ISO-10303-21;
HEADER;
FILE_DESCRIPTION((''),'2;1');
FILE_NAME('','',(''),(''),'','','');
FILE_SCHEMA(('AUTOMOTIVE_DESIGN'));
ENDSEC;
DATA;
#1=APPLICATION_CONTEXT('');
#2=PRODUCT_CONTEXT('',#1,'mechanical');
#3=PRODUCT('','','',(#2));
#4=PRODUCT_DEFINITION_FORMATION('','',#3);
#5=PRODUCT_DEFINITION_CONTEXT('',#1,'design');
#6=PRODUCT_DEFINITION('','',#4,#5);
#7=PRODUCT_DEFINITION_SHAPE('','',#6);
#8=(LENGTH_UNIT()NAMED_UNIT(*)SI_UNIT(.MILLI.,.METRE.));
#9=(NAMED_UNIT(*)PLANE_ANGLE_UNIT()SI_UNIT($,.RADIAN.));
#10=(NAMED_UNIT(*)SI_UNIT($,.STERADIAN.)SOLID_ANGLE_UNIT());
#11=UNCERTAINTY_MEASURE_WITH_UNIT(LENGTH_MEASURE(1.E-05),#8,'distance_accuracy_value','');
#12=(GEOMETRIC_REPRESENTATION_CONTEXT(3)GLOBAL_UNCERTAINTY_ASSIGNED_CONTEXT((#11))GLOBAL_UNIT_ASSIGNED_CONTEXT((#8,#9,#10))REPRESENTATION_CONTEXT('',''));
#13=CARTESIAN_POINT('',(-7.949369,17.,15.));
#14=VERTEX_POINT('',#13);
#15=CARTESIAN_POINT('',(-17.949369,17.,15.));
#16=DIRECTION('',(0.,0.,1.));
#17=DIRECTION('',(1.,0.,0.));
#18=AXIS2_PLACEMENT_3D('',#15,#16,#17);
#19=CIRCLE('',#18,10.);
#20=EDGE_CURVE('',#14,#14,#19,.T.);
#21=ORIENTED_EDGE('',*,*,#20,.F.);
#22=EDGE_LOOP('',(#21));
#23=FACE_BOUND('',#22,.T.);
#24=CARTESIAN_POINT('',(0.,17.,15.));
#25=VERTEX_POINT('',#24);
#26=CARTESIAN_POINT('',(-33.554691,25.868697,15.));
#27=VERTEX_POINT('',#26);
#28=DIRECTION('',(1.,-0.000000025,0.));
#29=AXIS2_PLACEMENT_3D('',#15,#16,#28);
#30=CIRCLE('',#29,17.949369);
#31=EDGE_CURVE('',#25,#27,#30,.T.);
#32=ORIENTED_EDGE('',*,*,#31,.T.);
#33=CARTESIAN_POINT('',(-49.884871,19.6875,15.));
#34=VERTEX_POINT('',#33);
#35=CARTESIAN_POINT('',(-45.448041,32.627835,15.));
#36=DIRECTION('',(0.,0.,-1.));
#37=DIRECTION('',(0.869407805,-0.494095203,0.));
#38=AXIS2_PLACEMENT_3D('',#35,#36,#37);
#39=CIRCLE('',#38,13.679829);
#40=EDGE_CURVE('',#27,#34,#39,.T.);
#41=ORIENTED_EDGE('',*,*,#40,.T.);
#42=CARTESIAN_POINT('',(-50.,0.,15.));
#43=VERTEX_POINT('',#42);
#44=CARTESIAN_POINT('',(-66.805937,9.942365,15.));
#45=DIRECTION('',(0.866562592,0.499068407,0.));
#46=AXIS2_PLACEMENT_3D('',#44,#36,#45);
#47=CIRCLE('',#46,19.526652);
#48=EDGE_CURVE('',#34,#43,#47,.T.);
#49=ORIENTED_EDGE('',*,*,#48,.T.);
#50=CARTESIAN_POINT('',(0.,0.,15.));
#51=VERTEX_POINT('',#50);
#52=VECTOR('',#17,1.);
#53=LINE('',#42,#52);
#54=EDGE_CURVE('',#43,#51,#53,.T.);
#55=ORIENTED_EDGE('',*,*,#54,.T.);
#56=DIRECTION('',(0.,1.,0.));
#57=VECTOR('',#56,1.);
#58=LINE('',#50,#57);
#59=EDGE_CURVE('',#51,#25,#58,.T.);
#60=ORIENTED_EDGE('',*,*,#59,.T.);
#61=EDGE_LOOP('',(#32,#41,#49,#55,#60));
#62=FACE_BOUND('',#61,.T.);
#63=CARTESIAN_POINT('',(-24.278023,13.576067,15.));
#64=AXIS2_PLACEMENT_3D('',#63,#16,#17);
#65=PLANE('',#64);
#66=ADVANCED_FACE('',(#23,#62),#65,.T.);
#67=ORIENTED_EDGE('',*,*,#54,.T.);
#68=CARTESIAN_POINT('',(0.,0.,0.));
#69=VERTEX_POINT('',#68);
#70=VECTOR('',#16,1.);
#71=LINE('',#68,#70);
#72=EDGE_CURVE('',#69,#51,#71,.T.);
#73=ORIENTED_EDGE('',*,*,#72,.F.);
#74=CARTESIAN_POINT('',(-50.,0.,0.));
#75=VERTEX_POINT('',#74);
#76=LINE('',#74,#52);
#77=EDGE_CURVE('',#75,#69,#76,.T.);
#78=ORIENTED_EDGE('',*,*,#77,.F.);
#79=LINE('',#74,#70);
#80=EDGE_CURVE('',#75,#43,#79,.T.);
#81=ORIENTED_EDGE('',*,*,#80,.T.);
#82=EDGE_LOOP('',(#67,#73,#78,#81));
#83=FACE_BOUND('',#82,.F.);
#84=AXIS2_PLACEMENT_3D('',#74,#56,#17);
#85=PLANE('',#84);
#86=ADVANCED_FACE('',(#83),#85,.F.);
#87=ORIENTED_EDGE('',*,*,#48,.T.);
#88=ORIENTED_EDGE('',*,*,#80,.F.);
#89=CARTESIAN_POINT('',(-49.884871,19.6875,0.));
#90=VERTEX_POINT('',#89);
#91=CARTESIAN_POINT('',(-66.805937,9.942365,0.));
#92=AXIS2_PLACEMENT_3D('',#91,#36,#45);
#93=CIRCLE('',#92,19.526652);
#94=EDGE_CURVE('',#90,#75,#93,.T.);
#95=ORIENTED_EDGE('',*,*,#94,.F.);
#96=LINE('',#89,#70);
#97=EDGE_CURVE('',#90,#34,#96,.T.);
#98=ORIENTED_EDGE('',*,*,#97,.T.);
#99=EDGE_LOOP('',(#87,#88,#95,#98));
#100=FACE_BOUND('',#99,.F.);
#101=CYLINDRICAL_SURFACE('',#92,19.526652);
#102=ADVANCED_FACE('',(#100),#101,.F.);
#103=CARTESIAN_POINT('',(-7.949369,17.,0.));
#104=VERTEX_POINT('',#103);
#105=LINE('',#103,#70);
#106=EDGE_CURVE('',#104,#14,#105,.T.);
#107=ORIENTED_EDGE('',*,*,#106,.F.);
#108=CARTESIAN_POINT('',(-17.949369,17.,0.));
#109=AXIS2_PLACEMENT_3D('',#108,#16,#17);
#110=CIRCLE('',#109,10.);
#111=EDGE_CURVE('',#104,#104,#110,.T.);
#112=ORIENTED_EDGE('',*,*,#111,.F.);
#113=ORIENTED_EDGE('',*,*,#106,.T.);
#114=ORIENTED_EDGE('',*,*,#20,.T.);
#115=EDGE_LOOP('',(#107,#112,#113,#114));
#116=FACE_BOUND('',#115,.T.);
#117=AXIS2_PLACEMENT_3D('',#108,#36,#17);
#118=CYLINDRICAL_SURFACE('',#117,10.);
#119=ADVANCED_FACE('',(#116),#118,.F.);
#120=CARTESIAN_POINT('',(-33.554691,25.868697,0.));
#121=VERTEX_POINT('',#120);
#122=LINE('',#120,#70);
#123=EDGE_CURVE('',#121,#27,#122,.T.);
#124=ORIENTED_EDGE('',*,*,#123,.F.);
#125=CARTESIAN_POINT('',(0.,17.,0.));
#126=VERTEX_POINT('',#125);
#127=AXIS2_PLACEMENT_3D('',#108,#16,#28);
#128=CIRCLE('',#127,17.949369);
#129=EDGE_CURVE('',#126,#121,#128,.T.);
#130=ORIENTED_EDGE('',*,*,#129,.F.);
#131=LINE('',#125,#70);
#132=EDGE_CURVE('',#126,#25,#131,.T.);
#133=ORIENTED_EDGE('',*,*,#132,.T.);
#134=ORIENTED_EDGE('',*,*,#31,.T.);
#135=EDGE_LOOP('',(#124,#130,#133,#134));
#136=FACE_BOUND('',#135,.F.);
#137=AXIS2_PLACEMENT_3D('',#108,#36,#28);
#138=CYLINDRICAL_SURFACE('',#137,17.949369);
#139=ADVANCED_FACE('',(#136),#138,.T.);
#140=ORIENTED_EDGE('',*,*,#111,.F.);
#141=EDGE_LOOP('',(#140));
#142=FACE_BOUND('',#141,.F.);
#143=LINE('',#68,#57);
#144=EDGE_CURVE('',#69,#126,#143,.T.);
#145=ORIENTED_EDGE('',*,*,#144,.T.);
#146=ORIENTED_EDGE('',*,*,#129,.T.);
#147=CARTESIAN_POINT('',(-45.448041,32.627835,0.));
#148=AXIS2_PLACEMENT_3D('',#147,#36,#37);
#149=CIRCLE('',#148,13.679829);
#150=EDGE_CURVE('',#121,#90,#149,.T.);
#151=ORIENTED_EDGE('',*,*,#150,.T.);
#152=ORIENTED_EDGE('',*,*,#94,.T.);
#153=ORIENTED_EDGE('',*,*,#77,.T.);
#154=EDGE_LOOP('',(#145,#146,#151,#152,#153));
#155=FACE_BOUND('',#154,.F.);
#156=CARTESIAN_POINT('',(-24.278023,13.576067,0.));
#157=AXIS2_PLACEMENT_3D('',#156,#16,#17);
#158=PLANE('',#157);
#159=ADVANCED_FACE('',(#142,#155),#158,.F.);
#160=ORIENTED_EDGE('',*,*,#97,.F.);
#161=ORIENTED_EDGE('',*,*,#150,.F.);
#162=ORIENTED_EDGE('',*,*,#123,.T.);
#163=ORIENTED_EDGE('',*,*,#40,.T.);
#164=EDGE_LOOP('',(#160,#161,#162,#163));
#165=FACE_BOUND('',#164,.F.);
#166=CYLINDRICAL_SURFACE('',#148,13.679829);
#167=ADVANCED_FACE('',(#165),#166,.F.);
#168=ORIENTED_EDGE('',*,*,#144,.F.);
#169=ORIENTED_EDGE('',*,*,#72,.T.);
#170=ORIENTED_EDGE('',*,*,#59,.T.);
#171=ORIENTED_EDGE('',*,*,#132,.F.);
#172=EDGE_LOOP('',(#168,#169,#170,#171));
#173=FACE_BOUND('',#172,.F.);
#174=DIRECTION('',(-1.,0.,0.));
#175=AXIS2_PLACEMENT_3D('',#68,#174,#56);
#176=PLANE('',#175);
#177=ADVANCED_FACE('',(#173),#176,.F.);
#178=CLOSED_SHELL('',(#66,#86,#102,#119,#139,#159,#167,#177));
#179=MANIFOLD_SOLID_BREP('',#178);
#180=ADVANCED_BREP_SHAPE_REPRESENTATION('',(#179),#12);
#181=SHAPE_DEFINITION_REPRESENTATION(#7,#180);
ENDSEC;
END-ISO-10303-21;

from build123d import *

# Parameters (mm, degrees)
F0_R     = 10
F1_DEPTH = 15


with BuildPart() as f1:
    # F0 (on Top) → F1 (new body)
    with BuildSketch(Plane.XY):
        with BuildLine():
            Line((-50, 0), (0, 0))
            Line((0, 0), (0, 17))
            ThreePointArc((0, 17), (-13.362749, 34.353466), (-33.554691, 25.868697))
            ThreePointArc((-33.554691, 25.868697), (-40.605343, 19.833852), (-49.884871, 19.6875))
            ThreePointArc((-49.884871, 19.6875), (-47.279619, 9.828178), (-50, 0))
        make_face()
        with Locations((-17.949369, 17)):
            Circle(F0_R, mode=Mode.SUBTRACT)
    extrude(amount=F1_DEPTH)


solid = f1.part
